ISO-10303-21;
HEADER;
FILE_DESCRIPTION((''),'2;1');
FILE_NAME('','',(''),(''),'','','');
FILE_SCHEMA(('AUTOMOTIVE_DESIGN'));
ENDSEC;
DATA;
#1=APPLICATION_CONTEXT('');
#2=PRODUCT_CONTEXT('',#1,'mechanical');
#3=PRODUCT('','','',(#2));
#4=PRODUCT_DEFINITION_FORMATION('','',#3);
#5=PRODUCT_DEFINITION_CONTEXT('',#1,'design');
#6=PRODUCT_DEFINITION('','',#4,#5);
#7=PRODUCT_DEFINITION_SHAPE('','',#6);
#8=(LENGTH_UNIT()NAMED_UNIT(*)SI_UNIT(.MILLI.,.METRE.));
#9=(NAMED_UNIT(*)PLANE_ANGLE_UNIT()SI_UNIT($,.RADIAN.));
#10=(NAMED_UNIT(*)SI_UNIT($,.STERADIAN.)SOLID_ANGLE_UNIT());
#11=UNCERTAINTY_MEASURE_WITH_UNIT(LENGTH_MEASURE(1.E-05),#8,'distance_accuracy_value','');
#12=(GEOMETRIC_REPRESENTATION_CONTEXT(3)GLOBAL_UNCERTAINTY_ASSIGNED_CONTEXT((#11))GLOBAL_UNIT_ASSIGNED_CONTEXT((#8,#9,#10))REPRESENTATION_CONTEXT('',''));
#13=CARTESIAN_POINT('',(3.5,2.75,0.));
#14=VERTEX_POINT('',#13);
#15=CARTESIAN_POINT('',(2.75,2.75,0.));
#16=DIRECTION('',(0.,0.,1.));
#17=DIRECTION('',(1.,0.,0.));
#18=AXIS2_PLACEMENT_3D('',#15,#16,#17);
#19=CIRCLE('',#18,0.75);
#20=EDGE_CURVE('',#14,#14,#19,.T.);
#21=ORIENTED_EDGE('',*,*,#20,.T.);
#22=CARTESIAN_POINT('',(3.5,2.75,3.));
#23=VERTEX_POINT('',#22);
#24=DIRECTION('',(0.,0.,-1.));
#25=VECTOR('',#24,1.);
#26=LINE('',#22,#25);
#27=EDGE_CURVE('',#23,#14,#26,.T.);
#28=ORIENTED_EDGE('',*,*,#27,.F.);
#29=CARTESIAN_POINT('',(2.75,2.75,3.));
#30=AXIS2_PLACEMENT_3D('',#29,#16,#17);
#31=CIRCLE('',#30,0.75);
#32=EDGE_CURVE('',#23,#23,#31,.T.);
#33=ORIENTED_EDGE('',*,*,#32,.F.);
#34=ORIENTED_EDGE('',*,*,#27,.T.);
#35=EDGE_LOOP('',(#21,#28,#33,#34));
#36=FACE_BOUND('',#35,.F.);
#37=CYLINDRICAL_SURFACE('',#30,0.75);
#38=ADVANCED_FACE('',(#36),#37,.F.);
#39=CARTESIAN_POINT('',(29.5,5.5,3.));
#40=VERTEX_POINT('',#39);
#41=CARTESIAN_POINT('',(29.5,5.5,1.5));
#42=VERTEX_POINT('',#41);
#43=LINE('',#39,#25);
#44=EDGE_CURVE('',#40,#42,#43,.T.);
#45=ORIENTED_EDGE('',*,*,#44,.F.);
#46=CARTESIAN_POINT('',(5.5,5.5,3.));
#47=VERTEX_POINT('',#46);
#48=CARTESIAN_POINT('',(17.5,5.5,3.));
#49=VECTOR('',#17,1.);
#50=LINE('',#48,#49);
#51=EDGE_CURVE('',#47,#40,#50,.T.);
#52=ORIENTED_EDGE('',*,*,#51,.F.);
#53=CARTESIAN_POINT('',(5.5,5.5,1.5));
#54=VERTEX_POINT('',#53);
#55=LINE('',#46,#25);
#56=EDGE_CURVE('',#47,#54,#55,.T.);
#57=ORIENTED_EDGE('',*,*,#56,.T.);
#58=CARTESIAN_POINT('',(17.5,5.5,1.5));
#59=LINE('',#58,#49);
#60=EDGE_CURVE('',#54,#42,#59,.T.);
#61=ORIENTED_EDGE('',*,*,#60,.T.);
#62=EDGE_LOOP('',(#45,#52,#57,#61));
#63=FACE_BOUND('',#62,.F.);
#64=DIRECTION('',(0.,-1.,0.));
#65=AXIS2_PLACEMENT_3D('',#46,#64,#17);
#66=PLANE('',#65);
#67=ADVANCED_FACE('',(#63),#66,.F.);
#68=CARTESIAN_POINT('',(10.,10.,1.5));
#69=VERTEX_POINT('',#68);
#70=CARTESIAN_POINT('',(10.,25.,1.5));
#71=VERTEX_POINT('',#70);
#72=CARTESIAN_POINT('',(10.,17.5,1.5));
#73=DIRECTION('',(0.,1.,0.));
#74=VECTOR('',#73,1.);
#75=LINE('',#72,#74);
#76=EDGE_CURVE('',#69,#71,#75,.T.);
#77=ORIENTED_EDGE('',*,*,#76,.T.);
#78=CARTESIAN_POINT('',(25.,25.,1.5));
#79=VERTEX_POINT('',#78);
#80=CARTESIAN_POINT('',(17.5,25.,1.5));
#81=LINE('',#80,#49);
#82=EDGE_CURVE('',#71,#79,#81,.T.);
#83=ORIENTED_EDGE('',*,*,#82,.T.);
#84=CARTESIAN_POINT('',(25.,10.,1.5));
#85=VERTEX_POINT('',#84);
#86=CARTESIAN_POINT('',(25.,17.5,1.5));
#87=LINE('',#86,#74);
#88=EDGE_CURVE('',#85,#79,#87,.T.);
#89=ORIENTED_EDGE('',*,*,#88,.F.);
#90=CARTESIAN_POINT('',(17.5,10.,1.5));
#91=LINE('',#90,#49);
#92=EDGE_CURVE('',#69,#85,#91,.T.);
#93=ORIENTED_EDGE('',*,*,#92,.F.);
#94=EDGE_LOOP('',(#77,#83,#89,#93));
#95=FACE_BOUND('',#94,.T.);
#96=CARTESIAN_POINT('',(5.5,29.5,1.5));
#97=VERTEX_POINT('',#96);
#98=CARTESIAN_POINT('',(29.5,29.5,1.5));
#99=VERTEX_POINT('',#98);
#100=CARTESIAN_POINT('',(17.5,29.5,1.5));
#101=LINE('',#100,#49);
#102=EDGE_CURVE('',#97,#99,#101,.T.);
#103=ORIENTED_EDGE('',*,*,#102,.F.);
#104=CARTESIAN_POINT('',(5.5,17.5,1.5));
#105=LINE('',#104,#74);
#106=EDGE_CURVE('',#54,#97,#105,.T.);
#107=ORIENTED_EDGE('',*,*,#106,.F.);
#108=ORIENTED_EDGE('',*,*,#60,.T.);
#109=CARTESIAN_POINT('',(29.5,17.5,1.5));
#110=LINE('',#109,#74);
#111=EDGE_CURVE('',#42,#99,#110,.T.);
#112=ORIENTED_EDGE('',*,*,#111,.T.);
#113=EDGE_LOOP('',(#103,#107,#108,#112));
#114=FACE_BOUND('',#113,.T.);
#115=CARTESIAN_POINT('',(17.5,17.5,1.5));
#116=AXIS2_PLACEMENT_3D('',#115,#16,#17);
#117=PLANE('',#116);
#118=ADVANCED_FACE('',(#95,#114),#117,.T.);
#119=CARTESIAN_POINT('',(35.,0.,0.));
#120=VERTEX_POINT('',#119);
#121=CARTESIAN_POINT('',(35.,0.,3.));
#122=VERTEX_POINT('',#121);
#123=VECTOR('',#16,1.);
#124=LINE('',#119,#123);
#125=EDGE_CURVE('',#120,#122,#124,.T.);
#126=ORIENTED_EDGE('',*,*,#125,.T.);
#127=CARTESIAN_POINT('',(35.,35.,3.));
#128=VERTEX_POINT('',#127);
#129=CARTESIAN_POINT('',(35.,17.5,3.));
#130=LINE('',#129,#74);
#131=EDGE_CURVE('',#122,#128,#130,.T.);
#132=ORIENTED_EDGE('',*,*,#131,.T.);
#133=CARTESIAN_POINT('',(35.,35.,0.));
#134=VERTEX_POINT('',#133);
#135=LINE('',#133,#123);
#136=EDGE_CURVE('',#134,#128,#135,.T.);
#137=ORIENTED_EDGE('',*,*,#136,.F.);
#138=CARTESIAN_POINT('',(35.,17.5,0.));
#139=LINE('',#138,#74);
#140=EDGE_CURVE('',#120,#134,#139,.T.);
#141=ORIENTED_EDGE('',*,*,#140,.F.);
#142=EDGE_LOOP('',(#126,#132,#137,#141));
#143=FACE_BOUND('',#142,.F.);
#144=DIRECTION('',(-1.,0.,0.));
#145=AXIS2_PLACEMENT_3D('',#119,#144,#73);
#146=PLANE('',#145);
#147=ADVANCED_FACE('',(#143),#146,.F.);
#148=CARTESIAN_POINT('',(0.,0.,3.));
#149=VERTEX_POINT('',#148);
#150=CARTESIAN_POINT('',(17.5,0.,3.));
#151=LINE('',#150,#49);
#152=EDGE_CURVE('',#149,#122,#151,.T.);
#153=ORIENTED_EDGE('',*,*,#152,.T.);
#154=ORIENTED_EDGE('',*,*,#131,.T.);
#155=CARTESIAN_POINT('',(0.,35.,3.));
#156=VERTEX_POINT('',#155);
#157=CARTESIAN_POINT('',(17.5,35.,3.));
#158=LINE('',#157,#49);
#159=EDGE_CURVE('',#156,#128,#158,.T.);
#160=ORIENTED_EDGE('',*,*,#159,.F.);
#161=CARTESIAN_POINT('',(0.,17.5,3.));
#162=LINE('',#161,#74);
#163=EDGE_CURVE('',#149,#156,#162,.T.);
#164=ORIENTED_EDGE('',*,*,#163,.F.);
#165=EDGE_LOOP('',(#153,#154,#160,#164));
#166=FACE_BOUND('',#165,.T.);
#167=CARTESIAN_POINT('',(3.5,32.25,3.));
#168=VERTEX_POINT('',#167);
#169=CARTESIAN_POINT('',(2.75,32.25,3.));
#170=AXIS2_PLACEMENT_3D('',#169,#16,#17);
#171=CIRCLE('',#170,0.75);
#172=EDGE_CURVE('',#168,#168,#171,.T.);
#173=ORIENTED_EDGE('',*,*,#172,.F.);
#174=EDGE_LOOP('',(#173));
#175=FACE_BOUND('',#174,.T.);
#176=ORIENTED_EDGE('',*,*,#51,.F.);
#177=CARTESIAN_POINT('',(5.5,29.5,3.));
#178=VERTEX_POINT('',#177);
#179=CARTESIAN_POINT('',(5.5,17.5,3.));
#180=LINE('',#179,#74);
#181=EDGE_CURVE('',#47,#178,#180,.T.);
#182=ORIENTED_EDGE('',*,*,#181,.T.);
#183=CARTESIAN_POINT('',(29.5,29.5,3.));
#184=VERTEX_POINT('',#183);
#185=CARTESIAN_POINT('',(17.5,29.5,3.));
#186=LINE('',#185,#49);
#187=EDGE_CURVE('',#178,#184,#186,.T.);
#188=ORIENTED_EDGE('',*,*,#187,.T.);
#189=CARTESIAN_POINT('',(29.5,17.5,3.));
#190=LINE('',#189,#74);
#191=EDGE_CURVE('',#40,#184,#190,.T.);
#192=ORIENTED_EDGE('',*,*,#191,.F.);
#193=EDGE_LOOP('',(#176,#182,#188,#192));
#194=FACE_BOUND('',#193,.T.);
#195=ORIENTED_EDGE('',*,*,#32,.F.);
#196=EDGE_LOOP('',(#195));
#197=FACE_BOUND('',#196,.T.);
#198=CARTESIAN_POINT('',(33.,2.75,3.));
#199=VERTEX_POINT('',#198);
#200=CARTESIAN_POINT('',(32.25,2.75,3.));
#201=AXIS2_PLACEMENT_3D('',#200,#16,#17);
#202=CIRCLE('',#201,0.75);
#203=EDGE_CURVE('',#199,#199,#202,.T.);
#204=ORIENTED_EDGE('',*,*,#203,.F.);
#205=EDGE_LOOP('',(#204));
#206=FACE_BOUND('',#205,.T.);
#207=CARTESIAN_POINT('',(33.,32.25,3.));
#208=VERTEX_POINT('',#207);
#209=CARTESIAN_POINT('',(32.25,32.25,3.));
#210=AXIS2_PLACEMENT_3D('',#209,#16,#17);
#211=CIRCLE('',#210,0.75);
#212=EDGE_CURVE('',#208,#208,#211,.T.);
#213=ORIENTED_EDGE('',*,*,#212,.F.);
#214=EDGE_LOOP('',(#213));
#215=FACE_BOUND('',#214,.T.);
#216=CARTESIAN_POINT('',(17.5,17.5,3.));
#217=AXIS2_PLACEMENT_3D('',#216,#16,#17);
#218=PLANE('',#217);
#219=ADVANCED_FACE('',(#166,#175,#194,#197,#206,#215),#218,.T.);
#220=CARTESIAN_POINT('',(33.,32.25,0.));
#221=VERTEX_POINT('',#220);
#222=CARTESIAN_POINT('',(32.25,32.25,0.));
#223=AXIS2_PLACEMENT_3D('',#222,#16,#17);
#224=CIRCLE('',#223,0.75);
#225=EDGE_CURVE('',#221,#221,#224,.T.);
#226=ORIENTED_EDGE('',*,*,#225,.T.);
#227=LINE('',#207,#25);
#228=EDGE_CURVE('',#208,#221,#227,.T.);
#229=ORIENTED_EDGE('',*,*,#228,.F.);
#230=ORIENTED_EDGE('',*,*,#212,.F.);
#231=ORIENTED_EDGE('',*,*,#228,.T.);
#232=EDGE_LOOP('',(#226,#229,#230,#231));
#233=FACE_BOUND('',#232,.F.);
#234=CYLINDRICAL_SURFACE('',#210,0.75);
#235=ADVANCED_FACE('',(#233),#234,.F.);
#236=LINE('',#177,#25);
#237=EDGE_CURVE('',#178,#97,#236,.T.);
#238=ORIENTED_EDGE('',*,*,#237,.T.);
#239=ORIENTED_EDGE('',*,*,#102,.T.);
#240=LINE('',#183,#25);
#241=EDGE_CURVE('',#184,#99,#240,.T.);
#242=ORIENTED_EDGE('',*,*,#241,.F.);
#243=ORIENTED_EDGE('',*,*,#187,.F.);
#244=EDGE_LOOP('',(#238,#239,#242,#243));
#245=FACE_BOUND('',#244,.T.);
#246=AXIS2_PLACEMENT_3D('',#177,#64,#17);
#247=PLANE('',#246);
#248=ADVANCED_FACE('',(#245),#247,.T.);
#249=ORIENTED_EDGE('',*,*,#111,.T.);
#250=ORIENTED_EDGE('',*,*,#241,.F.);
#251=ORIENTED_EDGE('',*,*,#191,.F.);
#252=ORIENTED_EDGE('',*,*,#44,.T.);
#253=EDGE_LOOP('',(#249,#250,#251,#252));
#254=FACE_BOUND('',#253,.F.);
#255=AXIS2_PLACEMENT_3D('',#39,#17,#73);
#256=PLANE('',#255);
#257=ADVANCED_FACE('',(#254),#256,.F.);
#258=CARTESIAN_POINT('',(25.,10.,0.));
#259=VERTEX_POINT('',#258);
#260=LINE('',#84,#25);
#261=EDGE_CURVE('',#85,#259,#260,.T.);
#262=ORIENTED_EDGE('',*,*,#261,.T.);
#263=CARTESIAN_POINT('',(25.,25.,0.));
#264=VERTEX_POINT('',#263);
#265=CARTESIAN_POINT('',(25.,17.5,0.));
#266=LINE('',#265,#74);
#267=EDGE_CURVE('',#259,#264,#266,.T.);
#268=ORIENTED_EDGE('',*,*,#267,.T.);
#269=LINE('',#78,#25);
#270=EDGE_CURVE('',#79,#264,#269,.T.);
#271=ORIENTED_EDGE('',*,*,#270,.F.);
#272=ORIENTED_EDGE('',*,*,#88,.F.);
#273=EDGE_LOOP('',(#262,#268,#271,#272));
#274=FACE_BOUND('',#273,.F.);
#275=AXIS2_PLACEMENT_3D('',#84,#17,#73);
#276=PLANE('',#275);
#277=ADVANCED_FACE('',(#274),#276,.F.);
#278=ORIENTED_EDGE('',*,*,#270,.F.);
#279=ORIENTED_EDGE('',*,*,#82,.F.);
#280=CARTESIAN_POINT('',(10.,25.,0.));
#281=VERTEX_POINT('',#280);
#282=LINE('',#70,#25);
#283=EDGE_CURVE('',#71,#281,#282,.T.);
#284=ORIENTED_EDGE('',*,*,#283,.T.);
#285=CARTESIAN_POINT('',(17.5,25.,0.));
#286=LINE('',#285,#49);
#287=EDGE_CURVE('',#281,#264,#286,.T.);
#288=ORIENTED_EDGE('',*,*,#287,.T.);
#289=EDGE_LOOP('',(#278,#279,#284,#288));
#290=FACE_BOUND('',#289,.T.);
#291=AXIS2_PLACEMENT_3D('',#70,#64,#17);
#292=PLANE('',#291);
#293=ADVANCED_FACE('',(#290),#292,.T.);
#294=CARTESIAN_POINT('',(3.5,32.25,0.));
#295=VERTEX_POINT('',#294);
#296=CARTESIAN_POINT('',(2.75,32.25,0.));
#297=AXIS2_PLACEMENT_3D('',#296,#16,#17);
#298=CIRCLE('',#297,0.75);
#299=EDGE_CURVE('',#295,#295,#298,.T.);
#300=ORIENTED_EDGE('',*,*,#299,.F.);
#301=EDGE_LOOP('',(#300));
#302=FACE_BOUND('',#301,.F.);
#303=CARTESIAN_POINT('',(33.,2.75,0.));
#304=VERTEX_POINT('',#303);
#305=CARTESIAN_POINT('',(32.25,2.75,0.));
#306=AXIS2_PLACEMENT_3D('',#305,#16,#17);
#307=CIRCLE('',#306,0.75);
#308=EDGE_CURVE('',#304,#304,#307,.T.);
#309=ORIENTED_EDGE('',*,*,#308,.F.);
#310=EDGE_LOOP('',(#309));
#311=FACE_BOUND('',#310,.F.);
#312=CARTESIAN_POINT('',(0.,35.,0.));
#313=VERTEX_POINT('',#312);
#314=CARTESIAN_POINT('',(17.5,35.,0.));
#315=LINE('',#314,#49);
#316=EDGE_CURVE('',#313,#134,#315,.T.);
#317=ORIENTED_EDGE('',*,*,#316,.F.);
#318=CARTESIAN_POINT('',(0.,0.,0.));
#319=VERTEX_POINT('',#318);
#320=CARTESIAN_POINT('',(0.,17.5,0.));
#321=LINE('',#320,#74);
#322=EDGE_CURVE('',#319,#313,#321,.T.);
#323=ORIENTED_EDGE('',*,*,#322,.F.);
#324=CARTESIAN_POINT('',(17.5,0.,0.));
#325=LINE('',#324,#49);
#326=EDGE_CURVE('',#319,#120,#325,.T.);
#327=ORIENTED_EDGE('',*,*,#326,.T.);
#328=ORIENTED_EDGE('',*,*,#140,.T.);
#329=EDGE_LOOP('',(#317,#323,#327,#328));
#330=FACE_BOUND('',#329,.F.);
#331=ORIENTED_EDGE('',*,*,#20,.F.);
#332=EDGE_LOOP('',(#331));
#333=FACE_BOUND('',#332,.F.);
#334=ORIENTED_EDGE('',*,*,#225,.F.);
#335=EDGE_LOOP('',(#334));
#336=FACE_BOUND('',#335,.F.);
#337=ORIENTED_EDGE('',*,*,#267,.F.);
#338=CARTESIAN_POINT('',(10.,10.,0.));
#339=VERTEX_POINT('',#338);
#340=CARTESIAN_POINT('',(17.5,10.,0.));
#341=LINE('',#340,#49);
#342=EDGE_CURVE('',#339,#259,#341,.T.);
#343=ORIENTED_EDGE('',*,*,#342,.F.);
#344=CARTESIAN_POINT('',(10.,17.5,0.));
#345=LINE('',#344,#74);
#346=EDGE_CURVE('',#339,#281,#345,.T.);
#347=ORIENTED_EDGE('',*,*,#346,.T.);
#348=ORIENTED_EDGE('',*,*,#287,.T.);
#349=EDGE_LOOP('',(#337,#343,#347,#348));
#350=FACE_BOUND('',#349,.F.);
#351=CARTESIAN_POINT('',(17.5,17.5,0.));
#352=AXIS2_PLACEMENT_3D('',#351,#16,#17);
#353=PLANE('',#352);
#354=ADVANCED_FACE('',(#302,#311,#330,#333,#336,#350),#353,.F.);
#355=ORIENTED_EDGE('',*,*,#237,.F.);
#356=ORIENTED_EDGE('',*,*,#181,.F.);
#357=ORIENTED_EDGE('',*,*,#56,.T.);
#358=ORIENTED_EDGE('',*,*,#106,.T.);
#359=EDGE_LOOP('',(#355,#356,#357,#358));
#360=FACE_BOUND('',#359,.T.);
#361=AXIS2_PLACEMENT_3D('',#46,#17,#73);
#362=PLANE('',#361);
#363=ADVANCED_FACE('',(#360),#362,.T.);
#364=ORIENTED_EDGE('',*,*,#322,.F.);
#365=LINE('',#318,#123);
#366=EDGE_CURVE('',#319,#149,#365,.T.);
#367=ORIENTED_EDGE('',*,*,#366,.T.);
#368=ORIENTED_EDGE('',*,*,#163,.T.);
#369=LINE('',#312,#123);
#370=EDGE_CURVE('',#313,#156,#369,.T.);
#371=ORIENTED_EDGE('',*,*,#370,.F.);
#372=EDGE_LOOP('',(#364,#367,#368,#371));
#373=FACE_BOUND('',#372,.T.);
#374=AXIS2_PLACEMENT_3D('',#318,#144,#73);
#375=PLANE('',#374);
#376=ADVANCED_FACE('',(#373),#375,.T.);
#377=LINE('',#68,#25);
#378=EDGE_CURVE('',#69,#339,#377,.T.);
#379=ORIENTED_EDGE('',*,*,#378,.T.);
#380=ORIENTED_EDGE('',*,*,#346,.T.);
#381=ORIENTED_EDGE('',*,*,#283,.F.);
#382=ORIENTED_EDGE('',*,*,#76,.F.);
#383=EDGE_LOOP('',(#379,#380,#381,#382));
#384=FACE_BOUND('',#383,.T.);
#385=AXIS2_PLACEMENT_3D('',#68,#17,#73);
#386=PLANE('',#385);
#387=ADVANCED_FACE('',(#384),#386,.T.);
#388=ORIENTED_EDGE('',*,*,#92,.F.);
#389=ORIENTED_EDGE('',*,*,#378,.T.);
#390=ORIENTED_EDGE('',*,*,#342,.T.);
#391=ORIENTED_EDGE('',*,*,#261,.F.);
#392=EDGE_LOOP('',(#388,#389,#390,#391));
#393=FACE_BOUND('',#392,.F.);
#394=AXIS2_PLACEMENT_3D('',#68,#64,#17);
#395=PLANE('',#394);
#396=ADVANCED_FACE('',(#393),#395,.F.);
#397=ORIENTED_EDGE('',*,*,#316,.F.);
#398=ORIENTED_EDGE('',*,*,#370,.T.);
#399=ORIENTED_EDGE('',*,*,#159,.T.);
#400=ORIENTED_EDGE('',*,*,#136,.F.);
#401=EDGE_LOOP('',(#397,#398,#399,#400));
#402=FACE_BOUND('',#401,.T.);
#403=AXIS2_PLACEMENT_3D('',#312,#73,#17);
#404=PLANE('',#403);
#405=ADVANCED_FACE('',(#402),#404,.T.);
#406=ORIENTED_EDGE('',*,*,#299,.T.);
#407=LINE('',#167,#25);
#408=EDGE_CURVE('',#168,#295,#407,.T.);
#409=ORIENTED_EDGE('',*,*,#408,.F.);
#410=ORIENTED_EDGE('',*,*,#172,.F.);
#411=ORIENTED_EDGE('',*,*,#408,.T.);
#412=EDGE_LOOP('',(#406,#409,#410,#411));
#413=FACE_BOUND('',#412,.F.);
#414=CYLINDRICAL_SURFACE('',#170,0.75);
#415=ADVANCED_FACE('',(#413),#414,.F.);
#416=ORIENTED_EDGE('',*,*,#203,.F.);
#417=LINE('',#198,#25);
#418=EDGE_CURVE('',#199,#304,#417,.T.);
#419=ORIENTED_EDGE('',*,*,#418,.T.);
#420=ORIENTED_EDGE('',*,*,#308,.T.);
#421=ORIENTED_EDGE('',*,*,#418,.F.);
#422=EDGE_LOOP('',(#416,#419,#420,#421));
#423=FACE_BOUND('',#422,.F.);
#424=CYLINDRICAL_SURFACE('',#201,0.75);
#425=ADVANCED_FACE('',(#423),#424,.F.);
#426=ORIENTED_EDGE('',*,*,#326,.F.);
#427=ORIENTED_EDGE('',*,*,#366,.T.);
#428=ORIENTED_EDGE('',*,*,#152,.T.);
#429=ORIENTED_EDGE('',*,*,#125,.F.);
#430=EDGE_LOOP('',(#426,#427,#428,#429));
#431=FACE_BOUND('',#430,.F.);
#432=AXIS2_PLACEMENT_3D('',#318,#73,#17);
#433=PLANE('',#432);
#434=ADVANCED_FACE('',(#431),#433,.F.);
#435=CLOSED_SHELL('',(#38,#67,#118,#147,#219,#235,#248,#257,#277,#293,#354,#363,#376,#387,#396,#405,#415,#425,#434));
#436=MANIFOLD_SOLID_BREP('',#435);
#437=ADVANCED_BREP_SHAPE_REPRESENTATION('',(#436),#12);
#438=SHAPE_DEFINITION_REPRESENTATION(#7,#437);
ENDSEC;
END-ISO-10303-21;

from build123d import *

# Parameters (mm, degrees)
SKETCH_W        = 35
SKETCH_H        = 35
PAD_DEPTH       = 3
SKETCH001_W     = 24
SKETCH001_H     = 24
POCKET_DEPTH    = 1.5
SKETCH002_W     = 15
SKETCH002_H     = 15
POCKET001_DEPTH = 1.5
SKETCH003_R     = 0.75
POCKET002_DEPTH = 3


with BuildPart() as part:
    # Sketch → Pad (new body)
    with BuildSketch(Plane.XY):
        with Locations((17.5, 17.5)):
            Rectangle(SKETCH_W, SKETCH_H)
    extrude(amount=PAD_DEPTH)

    # Sketch001 (on Face6 of Pad) → Pocket (cut)
    with BuildSketch(Plane.XY.offset(3)):
        with Locations((17.5, 17.5)):
            Rectangle(SKETCH001_W, SKETCH001_H)
    extrude(amount=-POCKET_DEPTH, mode=Mode.SUBTRACT)

    # Sketch002 (on Face11 of Pocket) → Pocket001 (cut)
    with BuildSketch(Plane.XY.offset(1.5)):
        with Locations((17.5, 17.5)):
            Rectangle(SKETCH002_W, SKETCH002_H)
    extrude(amount=-POCKET001_DEPTH, mode=Mode.SUBTRACT)

    # Sketch003 (on Face5 of Pocket001) → Pocket002 (cut)
    with BuildSketch(Plane.XY.offset(3)):
        with Locations((2.75, 32.25)):
            Circle(SKETCH003_R)
        with Locations((32.25, 32.25)):
            Circle(SKETCH003_R)
        with Locations((32.25, 2.75)):
            Circle(SKETCH003_R)
        with Locations((2.75, 2.75)):
            Circle(SKETCH003_R)
    extrude(amount=-POCKET002_DEPTH, mode=Mode.SUBTRACT)


solid = part.part
